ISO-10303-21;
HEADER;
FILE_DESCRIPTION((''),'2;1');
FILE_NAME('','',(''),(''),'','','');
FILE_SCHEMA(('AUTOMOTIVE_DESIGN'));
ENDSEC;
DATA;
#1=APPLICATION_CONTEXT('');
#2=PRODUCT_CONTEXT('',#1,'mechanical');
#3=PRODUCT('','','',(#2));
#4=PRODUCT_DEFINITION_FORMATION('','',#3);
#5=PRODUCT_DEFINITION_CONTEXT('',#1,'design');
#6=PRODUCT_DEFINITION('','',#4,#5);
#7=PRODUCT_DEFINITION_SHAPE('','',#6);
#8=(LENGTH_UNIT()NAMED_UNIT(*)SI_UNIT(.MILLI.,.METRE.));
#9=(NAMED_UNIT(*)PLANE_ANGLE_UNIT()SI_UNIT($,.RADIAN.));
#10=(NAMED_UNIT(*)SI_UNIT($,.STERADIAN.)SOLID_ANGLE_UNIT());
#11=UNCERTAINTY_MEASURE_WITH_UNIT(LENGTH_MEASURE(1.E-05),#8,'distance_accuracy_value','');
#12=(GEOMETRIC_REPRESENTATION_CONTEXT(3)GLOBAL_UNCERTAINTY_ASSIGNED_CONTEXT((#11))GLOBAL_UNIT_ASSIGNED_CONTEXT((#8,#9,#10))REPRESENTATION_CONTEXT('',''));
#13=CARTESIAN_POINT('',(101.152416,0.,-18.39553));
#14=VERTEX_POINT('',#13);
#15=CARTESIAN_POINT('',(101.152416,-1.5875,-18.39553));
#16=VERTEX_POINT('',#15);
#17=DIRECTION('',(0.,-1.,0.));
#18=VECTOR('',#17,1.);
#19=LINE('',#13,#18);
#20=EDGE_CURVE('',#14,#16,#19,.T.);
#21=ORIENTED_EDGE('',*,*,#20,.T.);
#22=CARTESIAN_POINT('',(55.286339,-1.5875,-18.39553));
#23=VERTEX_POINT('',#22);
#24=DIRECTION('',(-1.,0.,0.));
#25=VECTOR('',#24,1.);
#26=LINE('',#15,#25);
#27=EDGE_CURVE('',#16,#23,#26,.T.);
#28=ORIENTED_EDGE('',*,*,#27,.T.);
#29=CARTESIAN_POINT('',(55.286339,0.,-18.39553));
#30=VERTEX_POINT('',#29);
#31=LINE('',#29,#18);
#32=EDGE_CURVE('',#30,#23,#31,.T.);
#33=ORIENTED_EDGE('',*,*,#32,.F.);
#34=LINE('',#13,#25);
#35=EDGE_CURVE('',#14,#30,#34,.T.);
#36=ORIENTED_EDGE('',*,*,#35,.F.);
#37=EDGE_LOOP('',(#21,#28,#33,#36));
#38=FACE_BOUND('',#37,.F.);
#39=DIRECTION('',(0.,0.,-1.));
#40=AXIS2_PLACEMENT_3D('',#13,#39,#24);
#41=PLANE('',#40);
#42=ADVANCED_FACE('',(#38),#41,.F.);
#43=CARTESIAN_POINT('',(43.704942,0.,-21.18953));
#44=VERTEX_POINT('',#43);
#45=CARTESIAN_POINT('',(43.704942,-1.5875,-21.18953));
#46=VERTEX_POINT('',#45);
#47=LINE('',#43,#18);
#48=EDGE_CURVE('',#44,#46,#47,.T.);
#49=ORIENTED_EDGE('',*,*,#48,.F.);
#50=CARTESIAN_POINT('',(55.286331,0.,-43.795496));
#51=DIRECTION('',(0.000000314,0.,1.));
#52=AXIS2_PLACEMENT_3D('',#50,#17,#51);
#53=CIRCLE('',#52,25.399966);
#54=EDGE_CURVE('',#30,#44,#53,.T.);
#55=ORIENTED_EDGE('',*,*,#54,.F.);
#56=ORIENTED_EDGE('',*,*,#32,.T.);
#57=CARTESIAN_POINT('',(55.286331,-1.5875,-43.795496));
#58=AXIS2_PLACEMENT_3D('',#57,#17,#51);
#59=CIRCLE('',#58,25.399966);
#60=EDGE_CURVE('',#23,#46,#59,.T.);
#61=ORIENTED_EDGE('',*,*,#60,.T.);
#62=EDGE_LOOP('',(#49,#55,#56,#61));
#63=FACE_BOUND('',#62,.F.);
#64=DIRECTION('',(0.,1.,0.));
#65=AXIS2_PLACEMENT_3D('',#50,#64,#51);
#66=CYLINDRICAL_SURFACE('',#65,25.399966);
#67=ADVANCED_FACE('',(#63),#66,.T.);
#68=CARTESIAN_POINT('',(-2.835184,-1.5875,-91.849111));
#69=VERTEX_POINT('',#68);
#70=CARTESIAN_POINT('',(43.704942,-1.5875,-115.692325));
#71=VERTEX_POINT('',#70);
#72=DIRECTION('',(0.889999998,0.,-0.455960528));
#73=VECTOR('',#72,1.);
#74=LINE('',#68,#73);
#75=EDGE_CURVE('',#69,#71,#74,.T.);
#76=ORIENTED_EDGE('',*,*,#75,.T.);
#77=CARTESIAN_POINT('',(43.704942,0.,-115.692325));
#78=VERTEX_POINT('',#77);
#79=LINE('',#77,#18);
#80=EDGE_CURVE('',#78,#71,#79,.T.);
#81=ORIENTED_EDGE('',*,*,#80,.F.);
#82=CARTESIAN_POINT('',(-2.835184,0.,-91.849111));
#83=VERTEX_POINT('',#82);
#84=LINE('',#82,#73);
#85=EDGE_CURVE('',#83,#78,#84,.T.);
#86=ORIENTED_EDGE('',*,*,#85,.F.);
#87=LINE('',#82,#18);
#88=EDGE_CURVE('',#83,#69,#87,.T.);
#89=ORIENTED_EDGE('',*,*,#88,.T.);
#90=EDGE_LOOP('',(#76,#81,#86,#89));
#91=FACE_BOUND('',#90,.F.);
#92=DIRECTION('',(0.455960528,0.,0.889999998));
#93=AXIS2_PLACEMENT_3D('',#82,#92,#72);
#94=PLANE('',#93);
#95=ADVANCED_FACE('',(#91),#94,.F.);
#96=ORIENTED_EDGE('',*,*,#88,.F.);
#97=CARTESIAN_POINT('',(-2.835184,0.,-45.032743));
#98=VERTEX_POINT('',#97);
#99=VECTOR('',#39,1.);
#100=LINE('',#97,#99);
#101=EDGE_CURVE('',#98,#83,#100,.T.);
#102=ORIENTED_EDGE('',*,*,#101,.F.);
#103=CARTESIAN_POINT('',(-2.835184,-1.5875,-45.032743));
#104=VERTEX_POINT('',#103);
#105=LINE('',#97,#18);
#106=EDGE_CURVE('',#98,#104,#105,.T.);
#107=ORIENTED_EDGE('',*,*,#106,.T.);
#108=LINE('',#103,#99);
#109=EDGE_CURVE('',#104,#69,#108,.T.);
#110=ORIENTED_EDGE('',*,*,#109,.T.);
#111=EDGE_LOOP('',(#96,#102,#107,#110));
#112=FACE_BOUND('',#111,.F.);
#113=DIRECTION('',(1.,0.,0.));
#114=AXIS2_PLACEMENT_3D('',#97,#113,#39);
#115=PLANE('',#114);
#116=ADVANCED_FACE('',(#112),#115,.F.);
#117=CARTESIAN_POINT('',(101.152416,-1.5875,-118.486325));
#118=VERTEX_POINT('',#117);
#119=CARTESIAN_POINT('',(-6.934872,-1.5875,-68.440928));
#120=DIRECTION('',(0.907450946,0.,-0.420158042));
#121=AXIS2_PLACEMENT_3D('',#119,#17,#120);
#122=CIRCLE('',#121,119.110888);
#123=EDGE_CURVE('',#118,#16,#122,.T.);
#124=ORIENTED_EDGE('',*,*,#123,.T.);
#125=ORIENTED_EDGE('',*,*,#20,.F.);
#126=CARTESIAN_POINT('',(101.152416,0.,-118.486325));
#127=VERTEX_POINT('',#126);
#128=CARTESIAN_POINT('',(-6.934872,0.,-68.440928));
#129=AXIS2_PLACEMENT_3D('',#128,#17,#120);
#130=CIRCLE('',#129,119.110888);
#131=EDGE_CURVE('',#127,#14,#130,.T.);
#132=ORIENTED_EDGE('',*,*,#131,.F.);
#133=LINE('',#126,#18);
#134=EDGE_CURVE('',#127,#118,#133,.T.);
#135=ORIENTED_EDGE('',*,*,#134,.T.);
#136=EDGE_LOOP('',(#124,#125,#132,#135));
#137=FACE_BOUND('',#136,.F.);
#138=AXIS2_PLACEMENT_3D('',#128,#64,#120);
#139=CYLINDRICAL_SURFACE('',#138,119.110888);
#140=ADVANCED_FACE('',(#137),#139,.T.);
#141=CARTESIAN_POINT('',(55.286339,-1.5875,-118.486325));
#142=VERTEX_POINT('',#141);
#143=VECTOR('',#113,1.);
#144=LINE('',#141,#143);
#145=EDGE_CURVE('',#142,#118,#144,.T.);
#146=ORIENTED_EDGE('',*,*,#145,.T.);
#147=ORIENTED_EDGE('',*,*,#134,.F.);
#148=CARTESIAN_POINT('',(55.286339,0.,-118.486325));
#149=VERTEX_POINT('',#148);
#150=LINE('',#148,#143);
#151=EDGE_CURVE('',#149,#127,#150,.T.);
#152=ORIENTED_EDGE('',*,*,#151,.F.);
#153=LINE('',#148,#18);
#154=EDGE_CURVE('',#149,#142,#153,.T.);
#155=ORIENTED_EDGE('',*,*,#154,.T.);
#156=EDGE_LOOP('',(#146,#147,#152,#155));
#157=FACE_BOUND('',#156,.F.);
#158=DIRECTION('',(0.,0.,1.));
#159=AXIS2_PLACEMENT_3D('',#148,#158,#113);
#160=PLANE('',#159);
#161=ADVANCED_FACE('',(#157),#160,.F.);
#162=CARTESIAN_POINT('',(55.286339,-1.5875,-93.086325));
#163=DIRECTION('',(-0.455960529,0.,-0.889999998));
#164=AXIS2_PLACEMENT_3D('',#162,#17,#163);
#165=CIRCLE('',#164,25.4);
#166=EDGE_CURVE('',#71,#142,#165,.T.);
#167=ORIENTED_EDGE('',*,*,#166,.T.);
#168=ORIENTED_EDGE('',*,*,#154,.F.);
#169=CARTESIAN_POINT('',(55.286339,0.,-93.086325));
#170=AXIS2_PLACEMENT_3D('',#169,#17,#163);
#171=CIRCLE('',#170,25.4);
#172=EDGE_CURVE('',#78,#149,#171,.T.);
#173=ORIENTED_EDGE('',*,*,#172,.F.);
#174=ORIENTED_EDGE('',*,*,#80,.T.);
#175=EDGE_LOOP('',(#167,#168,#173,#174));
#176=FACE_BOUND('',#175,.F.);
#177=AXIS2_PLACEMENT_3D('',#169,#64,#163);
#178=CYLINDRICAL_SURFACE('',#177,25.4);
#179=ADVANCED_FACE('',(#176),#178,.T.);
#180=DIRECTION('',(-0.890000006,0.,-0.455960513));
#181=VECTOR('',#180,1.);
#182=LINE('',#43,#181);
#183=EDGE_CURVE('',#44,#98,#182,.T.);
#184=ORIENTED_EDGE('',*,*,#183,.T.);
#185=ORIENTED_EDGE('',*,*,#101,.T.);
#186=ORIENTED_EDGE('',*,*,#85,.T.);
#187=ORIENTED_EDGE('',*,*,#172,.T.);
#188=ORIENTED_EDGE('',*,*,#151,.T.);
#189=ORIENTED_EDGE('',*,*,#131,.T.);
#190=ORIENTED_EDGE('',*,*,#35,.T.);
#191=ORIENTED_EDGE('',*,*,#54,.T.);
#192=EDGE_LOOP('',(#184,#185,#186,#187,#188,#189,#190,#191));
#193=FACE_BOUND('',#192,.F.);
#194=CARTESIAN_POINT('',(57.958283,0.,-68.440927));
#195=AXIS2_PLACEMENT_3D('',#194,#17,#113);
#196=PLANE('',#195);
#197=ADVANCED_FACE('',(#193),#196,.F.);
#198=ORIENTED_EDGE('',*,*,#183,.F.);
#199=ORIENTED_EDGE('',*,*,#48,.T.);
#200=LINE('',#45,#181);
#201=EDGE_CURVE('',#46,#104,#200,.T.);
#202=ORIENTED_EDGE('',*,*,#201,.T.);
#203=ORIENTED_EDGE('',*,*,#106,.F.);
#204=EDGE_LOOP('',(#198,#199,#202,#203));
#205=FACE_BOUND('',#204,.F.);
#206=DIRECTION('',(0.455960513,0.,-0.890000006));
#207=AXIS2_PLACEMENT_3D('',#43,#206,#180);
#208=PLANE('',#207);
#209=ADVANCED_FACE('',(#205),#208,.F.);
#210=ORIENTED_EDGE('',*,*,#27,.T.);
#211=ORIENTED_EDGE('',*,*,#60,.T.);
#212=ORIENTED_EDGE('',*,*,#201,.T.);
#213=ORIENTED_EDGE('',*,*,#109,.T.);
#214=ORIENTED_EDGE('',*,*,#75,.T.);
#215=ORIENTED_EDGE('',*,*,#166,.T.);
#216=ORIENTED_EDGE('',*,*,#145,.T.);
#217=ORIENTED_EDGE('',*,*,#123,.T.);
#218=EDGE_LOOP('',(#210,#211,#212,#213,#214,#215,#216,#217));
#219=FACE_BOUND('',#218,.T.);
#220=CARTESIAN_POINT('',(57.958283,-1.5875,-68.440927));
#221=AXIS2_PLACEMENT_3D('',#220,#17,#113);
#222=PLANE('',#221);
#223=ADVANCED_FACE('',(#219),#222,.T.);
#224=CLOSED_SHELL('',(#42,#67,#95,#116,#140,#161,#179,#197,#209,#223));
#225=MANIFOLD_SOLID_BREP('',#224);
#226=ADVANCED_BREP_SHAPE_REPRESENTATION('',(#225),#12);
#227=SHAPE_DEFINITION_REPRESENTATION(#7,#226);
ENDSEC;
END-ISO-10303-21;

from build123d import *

# Parameters (mm, degrees)
F1_DEPTH = 1.5875


with BuildPart() as f1:
    # F0 (on Front) → F1 (new body)
    with BuildSketch(Plane.XZ):
        with BuildLine():
            Line((-2.835184, -45.032743), (-2.835184, -91.849111))
            Line((-2.835184, -91.849111), (43.704942, -115.692325))
            ThreePointArc((43.704942, -115.692325), (49.329511, -117.777947), (55.286339, -118.486325))
            Line((55.286339, -118.486325), (101.152416, -118.486325))
            ThreePointArc((101.152416, -118.486325), (112.176016, -68.440927), (101.152416, -18.39553))
            Line((101.152416, -18.39553), (55.286339, -18.39553))
            ThreePointArc((55.286339, -18.39553), (49.329511, -19.103907), (43.704942, -21.18953))
            Line((43.704942, -21.18953), (-2.835184, -45.032743))
        make_face()
    extrude(amount=F1_DEPTH)


solid = f1.part
